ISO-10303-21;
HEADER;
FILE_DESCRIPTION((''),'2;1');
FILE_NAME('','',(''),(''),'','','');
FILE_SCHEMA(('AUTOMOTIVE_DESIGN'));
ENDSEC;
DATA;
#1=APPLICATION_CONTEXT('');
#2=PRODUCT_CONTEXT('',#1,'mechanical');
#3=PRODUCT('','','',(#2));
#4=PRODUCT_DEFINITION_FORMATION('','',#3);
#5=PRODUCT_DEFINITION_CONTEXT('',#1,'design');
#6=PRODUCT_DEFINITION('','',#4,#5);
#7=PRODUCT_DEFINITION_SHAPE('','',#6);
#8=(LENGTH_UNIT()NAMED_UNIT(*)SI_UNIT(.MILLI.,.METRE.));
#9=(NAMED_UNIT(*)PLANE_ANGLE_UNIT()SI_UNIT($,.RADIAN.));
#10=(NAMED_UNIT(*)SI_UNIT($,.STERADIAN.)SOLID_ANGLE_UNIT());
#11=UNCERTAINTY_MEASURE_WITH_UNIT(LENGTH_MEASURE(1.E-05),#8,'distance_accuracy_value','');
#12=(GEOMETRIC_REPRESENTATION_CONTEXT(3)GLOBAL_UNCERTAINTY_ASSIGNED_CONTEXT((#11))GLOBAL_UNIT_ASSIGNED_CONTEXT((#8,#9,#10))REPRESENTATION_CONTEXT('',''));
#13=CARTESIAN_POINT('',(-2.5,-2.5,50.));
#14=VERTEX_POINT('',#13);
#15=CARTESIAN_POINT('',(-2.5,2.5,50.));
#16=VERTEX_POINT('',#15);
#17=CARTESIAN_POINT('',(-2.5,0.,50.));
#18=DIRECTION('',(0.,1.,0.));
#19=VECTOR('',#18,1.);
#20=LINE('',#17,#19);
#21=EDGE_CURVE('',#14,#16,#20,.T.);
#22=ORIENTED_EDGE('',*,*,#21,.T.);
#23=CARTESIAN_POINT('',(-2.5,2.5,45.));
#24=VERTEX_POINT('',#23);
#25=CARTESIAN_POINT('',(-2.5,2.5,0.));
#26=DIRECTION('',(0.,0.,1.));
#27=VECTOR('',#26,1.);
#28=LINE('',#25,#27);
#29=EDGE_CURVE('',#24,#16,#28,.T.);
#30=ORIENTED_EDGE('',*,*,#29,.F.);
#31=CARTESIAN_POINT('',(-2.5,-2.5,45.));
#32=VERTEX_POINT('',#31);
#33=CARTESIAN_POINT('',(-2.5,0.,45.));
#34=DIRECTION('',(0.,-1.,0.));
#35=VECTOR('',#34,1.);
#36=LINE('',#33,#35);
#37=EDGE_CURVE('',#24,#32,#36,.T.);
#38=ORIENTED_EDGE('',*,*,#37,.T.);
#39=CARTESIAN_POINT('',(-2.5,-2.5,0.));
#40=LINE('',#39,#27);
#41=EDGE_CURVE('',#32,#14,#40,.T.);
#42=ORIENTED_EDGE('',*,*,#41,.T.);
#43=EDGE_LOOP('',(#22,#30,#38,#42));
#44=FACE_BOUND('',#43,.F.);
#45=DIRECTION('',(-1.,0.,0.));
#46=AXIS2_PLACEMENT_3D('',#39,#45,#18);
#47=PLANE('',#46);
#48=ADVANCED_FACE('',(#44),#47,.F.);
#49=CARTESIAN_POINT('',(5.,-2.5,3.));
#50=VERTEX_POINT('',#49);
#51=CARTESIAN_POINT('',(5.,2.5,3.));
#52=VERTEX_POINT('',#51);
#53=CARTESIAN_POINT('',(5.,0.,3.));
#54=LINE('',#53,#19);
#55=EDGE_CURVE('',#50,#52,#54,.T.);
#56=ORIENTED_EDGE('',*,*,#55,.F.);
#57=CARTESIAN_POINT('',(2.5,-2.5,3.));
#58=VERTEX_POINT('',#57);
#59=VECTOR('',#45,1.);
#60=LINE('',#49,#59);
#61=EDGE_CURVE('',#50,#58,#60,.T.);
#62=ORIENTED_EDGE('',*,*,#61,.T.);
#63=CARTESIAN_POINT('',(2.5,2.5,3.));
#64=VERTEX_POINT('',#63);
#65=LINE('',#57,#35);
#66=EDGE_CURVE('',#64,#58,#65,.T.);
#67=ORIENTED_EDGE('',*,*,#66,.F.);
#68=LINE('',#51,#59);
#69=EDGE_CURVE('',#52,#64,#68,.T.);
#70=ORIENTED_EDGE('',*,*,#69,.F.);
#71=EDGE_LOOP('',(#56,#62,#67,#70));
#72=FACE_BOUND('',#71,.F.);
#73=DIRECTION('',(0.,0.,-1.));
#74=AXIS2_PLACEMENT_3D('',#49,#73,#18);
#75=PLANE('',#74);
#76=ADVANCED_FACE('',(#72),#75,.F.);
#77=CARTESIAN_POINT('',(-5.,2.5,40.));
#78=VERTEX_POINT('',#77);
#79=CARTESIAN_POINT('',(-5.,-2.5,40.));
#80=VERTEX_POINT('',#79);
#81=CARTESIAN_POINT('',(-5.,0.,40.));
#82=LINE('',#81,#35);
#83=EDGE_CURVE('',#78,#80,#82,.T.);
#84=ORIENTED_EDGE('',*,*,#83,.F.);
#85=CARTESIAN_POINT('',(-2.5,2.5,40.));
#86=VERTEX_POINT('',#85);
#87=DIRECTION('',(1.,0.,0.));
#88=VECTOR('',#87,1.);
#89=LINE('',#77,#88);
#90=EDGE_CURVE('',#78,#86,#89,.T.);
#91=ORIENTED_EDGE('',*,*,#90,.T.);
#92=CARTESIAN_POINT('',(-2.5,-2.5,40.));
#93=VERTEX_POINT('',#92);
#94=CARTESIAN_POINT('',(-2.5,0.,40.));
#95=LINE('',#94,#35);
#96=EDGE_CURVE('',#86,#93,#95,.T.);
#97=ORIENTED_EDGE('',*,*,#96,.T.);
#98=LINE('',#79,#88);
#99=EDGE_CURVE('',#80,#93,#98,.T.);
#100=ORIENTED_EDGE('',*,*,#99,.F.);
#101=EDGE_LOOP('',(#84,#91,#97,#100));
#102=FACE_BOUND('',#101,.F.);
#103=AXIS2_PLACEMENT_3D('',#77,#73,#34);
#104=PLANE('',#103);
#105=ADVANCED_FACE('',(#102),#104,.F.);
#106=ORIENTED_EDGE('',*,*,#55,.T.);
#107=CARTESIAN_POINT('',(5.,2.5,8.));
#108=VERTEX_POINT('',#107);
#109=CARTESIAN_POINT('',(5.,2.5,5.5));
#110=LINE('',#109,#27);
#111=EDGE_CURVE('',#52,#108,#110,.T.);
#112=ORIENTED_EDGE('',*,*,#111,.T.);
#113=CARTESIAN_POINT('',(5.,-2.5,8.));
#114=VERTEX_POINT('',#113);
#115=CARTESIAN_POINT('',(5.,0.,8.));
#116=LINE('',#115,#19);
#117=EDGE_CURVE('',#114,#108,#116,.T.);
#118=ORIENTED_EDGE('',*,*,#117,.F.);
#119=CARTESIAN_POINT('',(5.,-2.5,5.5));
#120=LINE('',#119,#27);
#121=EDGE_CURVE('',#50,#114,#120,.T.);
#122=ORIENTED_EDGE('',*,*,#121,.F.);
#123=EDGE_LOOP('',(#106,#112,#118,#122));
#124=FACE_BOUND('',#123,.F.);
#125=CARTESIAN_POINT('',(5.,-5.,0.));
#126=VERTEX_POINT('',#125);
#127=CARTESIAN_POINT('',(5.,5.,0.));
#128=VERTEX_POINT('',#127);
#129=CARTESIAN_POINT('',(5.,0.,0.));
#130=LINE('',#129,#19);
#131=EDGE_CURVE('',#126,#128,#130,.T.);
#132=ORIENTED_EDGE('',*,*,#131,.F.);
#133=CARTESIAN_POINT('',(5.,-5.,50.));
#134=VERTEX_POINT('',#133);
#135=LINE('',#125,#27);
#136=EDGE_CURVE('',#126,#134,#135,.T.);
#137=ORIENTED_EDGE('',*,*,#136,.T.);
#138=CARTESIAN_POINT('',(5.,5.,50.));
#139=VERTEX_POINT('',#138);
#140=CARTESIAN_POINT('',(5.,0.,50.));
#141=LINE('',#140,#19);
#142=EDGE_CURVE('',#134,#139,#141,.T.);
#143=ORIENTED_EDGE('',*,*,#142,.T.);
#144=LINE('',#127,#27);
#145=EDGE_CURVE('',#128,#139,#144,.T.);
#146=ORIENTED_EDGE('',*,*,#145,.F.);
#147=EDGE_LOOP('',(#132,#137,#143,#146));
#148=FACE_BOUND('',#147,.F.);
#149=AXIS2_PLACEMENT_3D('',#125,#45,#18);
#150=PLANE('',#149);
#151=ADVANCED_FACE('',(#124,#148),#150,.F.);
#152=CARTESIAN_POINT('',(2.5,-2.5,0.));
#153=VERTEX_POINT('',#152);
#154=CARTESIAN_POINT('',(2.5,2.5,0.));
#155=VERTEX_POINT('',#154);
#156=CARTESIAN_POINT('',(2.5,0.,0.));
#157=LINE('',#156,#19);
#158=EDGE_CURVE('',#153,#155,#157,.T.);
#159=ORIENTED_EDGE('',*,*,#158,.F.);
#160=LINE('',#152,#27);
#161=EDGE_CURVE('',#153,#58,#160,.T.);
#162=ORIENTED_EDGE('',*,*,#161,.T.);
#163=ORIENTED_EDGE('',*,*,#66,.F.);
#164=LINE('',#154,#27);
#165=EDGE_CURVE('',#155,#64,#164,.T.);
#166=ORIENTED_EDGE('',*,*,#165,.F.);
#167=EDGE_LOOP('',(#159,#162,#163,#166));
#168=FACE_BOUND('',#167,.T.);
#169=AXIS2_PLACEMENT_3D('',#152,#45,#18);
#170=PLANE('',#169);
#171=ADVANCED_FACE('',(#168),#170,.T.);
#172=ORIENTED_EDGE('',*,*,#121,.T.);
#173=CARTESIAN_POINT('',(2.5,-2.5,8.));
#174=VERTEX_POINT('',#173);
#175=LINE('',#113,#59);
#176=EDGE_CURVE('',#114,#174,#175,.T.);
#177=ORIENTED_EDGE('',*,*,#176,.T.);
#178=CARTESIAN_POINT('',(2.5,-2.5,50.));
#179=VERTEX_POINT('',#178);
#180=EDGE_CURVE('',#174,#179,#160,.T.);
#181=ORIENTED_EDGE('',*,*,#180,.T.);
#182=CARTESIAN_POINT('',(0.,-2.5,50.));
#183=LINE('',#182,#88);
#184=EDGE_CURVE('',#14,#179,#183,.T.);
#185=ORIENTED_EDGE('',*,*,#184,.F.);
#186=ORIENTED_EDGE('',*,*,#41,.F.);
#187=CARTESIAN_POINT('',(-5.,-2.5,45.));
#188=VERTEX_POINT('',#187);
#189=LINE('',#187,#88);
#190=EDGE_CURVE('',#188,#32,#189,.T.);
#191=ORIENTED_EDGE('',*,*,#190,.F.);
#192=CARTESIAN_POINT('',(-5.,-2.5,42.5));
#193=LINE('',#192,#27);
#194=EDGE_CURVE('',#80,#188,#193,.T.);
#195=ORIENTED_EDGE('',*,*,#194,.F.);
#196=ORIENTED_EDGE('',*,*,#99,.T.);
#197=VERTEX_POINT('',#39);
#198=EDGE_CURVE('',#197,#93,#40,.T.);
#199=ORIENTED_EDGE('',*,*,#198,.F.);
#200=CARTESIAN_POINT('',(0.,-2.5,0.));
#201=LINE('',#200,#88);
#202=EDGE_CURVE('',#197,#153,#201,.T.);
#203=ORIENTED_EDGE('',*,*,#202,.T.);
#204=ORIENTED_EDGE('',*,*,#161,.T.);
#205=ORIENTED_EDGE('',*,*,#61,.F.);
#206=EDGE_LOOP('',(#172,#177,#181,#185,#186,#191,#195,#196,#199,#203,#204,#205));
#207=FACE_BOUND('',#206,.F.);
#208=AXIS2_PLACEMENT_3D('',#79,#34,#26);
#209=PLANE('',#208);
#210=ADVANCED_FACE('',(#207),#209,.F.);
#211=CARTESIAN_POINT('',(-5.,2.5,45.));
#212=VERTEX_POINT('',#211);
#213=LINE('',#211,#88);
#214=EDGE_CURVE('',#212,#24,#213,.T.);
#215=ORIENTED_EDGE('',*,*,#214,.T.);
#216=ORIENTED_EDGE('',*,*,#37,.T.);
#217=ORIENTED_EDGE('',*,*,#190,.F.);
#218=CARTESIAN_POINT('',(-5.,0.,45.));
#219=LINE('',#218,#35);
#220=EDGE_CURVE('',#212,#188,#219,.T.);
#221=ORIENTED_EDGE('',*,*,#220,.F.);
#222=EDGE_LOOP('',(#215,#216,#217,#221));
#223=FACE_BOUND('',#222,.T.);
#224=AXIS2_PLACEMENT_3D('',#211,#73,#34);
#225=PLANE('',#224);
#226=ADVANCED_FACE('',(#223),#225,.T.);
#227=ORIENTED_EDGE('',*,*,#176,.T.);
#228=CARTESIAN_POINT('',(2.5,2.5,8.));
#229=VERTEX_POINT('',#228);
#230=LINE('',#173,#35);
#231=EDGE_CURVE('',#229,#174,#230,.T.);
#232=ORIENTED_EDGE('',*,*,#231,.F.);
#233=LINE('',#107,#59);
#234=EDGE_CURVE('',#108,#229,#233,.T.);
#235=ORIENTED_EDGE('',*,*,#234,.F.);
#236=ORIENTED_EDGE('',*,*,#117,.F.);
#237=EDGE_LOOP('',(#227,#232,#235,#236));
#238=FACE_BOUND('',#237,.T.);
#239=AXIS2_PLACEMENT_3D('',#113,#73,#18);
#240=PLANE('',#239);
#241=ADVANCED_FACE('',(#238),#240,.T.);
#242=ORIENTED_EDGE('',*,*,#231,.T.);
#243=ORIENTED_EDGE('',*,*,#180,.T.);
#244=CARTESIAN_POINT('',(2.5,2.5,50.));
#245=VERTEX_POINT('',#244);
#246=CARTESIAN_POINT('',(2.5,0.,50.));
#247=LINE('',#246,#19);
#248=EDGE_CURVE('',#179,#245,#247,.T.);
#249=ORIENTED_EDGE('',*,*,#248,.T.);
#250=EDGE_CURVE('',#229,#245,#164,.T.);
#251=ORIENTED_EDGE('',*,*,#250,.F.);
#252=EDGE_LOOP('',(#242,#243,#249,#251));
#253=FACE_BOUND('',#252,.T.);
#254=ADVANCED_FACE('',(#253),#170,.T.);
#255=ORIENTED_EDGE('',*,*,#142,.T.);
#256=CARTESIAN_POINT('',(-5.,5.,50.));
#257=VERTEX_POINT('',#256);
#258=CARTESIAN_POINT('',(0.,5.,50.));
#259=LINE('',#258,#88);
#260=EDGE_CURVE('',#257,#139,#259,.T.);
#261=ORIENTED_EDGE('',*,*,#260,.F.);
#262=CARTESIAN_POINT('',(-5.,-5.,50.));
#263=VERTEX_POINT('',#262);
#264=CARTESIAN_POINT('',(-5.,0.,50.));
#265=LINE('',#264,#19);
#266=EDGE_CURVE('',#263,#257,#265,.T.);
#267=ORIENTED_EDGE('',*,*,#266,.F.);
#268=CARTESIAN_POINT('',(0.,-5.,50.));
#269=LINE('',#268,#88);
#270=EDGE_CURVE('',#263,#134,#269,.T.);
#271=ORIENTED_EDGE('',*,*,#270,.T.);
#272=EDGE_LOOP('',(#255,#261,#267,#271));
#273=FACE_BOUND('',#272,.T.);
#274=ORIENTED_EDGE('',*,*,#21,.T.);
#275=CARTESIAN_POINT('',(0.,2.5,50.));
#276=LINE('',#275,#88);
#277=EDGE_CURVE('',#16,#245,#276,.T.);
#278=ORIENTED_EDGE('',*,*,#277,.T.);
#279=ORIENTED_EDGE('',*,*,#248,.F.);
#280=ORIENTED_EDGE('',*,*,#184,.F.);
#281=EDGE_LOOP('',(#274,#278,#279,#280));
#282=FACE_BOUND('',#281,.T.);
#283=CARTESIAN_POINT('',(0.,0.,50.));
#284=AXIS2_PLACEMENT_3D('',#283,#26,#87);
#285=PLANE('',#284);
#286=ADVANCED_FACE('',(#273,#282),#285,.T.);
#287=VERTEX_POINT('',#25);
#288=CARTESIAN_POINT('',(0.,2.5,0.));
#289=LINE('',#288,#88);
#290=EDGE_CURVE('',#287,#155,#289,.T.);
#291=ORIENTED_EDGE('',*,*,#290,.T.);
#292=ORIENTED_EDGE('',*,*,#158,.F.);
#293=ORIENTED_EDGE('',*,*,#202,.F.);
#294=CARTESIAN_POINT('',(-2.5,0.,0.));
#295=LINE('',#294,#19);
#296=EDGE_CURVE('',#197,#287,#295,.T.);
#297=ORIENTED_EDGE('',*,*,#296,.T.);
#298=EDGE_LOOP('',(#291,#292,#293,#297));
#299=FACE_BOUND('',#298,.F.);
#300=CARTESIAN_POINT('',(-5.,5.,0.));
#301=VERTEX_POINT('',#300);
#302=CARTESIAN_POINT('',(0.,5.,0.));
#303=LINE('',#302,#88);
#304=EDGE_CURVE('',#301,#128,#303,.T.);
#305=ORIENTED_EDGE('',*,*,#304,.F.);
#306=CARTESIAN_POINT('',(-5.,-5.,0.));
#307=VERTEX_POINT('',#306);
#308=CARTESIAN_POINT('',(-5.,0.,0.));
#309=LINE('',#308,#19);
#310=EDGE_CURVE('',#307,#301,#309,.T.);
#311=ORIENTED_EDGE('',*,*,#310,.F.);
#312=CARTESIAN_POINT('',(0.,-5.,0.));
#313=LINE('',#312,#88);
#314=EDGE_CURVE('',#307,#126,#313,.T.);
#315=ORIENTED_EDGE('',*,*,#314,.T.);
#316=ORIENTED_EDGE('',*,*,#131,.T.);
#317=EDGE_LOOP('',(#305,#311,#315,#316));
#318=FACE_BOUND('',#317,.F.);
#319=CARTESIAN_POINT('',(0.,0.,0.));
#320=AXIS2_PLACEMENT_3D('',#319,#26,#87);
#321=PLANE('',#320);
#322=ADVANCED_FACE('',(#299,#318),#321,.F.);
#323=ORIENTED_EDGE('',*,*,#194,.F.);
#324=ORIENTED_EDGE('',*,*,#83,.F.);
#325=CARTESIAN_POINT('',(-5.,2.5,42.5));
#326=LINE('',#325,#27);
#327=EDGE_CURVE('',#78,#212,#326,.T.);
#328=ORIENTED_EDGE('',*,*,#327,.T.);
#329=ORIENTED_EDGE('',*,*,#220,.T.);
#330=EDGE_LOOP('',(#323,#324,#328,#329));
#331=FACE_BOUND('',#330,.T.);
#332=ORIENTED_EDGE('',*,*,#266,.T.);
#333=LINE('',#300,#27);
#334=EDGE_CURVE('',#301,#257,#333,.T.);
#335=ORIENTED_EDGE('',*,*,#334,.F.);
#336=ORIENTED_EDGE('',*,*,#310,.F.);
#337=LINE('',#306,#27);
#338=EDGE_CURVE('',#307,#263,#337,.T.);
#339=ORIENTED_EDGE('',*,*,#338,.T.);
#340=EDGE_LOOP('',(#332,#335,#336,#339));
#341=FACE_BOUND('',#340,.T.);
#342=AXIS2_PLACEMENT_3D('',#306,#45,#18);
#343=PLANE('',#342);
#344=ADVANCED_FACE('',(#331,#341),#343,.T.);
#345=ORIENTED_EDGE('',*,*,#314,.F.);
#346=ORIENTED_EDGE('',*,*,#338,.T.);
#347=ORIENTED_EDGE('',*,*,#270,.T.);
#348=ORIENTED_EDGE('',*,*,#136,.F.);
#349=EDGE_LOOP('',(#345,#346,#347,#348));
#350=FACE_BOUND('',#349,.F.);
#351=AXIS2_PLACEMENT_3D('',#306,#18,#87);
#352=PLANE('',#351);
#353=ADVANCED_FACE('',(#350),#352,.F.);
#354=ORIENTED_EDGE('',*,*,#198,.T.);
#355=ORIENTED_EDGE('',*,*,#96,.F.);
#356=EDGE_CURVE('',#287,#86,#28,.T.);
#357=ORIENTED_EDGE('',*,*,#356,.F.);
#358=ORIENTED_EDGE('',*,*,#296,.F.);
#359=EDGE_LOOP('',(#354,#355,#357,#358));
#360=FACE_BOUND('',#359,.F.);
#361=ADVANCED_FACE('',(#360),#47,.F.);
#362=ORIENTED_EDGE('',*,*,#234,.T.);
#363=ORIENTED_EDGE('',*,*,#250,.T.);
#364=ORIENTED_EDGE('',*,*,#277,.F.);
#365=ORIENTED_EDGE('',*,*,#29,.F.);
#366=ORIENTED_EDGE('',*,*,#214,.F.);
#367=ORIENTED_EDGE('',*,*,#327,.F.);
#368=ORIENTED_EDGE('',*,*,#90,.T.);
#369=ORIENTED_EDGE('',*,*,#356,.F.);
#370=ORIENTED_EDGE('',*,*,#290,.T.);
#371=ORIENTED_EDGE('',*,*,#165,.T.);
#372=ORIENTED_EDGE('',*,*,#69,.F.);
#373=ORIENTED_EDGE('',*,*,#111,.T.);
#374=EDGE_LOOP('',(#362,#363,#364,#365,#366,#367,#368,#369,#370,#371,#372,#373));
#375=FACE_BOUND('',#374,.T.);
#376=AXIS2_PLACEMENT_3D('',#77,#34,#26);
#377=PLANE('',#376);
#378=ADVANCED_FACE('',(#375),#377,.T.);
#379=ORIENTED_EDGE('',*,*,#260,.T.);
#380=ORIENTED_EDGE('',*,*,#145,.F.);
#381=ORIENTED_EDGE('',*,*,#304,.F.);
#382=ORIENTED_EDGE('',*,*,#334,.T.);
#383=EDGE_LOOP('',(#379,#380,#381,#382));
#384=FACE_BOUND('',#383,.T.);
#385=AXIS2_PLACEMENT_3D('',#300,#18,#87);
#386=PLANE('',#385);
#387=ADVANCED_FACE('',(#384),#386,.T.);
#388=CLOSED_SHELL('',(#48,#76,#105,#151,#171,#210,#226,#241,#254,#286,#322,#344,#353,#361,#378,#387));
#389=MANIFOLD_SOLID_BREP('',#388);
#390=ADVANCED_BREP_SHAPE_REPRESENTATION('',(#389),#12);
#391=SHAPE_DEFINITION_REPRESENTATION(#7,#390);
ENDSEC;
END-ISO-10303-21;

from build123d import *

# Parameters (mm, degrees)
F0_W       = 10
F0_H       = 10
F0_W_2     = 5
F0_H_2     = 5
F1_DEPTH   = 50
F2_W       = 5
F2_H       = 5
F1_FACE1_W = 10
F1_FACE1_H = 50
F3_DEPTH   = 3
F4_W       = 5
F4_H       = 5
F5_DEPTH   = 4


with BuildPart() as f1:
    # F0 (on Top) → F1 (new body)
    with BuildSketch(Plane.XY):
        Rectangle(F0_W, F0_H)
        Rectangle(F0_W_2, F0_H_2, mode=Mode.SUBTRACT)
    extrude(amount=F1_DEPTH)

    # F2 (on face) + F1_face1 (on face) → F3 (cut)
    with BuildSketch(Plane.YZ.offset(5)):
        with Locations((0, 5.5)):
            Rectangle(F2_W, F2_H)
    with BuildSketch(Plane(origin=(-5, 0, 25), x_dir=(0, -1, 0), z_dir=(-1, 0, 0))):
        Rectangle(F1_FACE1_W, F1_FACE1_H)
    extrude(amount=-F3_DEPTH, dir=(1, 0, 0), mode=Mode.SUBTRACT)

    # F4 (on face) → F5 (cut)
    with BuildSketch(Plane(origin=(-5, 0, 0), x_dir=(0, -1, 0), z_dir=(-1, 0, 0))):
        with Locations((0, 42.5)):
            Rectangle(F4_W, F4_H)
    extrude(amount=-F5_DEPTH, mode=Mode.SUBTRACT)


solid = f1.part
